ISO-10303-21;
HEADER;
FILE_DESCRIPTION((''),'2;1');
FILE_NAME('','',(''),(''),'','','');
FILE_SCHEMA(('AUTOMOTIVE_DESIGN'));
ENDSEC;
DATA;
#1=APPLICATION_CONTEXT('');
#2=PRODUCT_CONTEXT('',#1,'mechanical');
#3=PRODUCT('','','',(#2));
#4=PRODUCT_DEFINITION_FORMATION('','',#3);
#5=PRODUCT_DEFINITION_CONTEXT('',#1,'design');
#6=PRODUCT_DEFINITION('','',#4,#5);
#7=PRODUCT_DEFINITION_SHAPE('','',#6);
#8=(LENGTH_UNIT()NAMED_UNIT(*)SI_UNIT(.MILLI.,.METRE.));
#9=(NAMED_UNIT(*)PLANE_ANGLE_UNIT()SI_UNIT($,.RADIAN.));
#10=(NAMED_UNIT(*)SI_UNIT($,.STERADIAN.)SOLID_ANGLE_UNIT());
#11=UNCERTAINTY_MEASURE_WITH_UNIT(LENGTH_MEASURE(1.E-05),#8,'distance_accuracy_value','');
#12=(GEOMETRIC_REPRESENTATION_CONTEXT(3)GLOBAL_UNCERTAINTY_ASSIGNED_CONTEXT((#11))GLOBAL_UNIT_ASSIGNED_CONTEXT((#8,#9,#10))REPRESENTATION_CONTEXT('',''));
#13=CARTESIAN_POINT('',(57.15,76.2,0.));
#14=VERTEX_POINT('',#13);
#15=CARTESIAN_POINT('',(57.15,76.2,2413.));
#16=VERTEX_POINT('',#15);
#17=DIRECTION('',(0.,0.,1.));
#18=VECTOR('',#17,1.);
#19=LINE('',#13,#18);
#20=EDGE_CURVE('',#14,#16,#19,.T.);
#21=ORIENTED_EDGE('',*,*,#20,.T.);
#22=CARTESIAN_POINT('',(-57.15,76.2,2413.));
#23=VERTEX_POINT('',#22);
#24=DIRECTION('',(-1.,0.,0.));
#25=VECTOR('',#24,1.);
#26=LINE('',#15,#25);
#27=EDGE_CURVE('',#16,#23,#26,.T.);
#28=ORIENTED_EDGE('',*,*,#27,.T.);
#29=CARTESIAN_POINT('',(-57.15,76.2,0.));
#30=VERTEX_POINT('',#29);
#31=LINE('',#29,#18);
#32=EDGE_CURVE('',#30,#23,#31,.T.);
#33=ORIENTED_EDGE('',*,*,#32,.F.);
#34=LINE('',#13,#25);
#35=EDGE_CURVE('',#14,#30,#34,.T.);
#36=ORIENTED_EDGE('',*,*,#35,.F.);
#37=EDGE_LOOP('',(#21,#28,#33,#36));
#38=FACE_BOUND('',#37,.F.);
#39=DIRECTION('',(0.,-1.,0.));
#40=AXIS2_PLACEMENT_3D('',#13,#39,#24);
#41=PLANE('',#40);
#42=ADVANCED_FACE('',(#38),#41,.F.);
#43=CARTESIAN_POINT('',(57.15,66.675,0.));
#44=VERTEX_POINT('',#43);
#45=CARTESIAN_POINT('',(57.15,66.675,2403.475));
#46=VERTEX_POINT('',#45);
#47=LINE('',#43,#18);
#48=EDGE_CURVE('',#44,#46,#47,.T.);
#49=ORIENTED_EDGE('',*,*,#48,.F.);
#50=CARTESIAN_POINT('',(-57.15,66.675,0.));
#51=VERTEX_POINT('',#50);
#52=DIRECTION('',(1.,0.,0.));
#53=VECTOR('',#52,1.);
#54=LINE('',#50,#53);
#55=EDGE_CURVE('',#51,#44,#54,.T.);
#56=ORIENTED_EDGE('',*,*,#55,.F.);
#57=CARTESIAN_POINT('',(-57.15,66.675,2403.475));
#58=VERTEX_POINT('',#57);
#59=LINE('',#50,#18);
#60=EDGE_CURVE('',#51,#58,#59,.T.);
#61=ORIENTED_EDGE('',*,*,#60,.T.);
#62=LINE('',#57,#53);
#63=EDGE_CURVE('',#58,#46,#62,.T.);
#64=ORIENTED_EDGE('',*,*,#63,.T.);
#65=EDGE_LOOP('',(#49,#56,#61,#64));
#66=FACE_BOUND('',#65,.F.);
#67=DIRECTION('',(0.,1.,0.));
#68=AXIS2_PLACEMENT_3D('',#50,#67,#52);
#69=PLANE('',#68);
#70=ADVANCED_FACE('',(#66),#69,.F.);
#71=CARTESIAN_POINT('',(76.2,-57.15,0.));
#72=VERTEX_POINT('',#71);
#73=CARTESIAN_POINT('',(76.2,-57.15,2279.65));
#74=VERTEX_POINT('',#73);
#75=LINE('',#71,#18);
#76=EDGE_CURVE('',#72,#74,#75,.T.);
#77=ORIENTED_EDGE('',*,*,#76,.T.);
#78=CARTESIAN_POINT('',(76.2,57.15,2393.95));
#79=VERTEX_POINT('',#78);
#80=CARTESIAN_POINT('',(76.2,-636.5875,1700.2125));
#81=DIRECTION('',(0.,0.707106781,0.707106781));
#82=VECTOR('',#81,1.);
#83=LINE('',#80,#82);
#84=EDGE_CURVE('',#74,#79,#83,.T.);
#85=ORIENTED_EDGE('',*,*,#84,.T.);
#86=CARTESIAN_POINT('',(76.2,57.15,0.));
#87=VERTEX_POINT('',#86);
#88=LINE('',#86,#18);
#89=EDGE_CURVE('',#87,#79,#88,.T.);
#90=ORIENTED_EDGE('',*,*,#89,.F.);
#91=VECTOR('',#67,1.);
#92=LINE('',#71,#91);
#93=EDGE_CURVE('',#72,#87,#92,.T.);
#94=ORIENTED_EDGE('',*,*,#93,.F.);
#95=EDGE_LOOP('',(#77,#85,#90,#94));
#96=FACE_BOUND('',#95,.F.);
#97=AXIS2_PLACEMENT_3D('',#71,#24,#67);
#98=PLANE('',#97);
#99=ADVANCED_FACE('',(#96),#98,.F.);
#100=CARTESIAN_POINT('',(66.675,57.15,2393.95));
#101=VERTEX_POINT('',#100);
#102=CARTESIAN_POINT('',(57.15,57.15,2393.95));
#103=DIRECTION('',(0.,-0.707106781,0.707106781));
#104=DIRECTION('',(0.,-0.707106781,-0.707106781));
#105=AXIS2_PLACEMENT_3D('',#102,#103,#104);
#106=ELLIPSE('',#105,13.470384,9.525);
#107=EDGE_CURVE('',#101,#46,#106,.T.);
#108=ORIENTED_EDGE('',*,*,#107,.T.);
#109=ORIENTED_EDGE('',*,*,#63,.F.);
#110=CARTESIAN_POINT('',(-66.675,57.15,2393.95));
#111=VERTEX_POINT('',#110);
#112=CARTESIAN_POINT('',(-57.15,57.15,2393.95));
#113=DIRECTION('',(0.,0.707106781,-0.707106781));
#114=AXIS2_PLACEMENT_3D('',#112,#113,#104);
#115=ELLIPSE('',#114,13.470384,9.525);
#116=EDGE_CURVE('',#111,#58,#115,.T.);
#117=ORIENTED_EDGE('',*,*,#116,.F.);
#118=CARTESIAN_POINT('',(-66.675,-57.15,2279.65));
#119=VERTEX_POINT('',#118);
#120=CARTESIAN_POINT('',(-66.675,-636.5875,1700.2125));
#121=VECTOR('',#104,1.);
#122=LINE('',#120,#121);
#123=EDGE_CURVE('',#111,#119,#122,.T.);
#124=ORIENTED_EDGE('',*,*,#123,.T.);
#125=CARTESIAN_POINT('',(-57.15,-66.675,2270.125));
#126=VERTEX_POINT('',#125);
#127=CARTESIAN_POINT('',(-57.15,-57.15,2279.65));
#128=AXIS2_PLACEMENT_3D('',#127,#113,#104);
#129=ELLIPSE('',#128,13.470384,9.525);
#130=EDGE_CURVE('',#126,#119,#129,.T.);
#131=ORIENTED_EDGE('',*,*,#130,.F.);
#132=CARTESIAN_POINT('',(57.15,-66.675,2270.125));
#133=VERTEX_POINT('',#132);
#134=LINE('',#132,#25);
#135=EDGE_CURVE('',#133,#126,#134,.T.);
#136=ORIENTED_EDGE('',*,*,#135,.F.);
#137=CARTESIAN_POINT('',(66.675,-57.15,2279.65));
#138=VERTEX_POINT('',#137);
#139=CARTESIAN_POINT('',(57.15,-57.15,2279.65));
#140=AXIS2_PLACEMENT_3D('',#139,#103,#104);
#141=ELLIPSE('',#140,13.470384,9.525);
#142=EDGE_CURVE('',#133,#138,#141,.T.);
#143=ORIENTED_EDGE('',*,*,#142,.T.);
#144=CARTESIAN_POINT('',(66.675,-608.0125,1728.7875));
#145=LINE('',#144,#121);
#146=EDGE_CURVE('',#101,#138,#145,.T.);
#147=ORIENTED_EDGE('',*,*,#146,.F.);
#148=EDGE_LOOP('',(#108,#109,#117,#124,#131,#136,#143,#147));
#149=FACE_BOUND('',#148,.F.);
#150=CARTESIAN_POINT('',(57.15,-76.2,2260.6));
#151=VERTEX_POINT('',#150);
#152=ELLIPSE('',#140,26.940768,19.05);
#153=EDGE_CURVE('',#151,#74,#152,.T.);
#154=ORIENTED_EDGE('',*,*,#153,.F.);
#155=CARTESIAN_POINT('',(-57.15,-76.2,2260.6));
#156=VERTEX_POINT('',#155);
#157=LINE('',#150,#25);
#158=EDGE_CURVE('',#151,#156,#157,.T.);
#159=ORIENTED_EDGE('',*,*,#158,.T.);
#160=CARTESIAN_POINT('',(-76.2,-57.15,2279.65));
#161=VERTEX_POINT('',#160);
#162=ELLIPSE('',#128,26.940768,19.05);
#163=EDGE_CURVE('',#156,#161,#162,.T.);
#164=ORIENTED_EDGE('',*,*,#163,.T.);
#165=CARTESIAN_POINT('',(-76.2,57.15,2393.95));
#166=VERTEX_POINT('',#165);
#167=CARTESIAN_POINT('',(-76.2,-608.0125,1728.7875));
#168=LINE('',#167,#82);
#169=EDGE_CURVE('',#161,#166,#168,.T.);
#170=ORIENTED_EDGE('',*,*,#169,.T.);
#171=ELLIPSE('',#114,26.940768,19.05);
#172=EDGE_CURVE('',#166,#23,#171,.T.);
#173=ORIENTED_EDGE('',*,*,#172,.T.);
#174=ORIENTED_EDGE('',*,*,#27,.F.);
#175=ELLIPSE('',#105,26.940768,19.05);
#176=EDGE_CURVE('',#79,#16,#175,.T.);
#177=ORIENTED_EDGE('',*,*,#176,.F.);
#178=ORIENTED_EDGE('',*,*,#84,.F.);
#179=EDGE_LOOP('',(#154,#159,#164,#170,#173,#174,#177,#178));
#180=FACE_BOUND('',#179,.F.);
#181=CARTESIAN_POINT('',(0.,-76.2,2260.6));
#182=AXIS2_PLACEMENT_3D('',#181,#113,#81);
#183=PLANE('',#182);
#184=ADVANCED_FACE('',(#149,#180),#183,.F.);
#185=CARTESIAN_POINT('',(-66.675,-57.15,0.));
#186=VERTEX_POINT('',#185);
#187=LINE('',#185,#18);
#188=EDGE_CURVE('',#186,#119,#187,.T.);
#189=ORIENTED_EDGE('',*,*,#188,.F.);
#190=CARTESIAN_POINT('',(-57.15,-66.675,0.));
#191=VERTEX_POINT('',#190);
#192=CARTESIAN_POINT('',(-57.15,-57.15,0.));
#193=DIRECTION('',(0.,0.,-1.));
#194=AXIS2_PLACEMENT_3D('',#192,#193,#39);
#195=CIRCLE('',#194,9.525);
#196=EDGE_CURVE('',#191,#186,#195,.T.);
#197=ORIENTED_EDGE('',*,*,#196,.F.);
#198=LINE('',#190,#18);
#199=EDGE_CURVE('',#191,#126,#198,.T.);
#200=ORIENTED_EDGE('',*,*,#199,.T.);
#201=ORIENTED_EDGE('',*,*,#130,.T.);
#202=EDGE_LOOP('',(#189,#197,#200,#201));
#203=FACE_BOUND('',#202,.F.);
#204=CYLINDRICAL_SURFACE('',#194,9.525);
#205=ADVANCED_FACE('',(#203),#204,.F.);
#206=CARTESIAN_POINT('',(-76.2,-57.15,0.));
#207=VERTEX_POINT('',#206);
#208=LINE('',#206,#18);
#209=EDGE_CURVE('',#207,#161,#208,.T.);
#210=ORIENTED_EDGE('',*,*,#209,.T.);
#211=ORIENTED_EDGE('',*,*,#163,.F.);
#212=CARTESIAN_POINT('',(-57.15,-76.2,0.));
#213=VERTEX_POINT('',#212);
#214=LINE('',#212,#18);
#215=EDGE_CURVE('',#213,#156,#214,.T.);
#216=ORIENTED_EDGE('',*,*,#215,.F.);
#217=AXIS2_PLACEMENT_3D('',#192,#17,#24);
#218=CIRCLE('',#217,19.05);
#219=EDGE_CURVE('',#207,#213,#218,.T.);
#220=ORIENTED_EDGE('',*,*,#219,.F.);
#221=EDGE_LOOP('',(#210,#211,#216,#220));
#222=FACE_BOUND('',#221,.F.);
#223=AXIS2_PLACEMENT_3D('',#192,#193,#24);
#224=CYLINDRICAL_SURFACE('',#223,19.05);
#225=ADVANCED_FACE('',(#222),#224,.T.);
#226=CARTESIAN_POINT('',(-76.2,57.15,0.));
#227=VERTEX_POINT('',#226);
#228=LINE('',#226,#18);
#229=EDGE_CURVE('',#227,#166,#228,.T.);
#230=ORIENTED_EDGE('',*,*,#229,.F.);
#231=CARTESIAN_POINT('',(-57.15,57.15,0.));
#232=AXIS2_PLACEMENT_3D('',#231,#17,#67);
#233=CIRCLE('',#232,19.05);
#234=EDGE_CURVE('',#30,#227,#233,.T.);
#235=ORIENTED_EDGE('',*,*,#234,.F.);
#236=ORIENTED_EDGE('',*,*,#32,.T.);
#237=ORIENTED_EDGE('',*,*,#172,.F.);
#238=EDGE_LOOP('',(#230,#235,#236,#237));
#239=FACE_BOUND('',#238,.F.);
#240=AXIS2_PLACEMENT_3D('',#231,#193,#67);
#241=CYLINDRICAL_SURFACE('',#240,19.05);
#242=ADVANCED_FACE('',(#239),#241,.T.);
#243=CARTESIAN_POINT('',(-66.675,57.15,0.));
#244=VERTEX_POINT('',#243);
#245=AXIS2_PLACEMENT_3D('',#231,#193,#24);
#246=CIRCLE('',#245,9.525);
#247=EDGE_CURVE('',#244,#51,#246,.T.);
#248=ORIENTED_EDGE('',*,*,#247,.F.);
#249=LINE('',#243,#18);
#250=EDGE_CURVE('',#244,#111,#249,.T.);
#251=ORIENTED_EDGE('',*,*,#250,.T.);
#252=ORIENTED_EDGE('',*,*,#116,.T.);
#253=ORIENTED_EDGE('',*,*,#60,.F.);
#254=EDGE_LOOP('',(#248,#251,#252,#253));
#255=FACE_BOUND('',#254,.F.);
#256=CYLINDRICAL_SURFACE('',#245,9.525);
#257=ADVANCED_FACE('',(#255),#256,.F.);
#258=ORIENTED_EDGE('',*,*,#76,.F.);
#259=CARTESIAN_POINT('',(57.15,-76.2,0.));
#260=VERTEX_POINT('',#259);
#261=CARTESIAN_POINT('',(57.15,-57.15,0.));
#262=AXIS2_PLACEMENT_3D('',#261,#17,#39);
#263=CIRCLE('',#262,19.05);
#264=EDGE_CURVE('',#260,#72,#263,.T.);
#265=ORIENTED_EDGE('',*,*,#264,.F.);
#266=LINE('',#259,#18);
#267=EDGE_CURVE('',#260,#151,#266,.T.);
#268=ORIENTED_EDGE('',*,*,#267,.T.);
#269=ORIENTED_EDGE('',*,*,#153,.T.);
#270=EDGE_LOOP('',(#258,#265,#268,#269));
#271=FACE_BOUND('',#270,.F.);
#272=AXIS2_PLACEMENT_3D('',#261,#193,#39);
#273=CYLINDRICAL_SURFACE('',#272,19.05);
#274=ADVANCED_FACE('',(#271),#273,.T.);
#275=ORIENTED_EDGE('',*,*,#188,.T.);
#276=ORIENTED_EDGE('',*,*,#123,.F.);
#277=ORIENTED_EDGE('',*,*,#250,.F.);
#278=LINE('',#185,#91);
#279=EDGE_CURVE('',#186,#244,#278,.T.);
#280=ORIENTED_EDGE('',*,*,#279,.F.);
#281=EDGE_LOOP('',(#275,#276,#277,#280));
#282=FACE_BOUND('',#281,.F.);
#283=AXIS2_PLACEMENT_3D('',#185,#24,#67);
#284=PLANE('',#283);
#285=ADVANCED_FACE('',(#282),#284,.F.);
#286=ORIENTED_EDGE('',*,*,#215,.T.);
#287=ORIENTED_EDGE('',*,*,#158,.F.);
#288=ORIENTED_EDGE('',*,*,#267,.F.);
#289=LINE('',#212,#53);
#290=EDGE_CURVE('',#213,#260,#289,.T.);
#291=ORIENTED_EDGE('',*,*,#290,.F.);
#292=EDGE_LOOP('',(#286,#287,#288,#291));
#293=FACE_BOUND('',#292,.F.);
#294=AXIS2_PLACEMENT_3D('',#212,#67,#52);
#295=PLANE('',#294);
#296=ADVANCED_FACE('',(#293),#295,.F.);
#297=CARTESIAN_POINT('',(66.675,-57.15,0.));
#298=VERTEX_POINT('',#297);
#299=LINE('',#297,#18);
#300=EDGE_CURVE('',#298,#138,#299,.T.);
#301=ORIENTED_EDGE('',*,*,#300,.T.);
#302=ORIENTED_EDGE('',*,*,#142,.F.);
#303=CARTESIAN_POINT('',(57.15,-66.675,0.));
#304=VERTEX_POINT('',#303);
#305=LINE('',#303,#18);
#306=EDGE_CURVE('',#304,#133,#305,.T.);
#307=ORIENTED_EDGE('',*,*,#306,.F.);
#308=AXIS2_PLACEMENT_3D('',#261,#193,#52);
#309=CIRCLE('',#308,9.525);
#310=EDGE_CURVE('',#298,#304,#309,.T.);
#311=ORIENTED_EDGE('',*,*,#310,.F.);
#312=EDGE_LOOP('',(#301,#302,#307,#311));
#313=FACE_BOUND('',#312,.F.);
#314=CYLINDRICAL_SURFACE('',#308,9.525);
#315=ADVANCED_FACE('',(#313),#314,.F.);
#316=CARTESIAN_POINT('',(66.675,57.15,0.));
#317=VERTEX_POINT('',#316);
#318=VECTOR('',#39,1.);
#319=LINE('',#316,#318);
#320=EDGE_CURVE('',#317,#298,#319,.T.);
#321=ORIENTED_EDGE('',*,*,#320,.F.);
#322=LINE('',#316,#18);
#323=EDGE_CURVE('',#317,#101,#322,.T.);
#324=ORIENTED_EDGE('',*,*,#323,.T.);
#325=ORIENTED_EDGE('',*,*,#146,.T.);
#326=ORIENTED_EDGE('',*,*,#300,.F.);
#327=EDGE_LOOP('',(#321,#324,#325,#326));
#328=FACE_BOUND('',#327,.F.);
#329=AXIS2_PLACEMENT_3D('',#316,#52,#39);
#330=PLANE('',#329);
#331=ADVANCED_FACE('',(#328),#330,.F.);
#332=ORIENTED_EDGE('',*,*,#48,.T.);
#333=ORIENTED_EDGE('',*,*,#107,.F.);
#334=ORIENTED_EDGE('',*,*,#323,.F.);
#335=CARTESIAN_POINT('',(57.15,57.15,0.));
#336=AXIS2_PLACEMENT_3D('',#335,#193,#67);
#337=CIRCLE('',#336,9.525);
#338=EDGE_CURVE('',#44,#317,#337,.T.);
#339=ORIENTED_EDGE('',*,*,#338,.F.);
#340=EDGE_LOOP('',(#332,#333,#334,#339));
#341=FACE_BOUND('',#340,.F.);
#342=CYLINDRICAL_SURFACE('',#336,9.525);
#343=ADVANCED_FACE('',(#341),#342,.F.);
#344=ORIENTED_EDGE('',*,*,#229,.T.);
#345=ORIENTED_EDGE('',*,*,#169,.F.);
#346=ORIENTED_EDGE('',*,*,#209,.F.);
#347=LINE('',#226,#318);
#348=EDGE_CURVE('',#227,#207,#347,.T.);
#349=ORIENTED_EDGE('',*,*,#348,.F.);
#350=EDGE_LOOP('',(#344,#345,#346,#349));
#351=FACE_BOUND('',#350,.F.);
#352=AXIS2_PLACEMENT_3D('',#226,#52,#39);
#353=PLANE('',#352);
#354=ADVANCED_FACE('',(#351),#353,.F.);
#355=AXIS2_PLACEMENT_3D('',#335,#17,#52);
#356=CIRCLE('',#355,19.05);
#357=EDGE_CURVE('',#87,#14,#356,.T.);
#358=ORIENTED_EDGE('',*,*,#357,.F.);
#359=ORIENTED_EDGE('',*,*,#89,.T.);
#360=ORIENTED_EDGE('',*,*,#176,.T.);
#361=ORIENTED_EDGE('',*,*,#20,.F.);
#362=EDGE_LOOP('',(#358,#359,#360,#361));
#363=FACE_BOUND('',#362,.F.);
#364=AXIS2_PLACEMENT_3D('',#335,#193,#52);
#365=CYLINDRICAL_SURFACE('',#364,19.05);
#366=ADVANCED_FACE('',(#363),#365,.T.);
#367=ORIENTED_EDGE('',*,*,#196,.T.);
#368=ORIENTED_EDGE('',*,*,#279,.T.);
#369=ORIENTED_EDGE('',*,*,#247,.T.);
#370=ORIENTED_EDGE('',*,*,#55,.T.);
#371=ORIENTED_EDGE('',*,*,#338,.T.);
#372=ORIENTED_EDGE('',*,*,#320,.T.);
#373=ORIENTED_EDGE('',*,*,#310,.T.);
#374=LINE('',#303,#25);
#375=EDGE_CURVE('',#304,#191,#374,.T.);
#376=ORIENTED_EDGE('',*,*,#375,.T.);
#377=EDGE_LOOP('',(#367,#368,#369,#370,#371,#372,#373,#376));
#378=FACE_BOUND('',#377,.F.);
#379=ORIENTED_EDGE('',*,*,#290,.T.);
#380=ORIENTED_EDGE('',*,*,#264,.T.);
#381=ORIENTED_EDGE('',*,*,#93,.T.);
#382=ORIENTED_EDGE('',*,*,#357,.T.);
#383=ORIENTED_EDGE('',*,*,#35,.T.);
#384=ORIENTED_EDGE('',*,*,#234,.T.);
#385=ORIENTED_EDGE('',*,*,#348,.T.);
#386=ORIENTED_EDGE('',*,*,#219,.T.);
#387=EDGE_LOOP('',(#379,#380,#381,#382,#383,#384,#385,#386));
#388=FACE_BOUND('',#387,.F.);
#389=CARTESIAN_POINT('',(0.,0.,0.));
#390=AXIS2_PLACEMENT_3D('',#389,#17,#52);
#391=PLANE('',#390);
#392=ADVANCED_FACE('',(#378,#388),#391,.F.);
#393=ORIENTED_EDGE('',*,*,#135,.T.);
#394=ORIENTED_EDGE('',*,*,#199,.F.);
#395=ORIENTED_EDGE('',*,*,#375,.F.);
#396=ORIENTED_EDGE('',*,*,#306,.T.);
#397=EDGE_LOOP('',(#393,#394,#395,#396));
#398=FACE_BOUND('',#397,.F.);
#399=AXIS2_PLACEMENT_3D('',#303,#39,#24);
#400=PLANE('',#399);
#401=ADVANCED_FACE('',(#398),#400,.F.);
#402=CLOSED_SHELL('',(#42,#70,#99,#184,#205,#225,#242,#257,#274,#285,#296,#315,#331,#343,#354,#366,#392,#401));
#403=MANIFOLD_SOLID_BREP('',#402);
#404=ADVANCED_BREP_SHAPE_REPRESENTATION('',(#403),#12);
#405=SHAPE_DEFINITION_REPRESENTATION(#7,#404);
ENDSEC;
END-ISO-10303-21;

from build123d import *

# Parameters (mm, degrees)
F1_DEPTH      = 2413
F3_DEPTH      = 76.201
F3_DEPTH_BACK = 76.201


with BuildPart() as f1:
    # F0 (on Top) → F1 (new body)
    with BuildSketch(Plane.XY):
        with BuildLine():
            ThreePointArc((-76.2, -57.15), (-70.6203841816, -70.6203841816), (-57.15, -76.2))
            Line((-57.15, -76.2), (57.15, -76.2))
            ThreePointArc((57.15, -76.2), (70.6203841816, -70.6203841816), (76.2, -57.15))
            Line((76.2, -57.15), (76.2, 57.15))
            ThreePointArc((76.2, 57.15), (70.6203841816, 70.6203841816), (57.15, 76.2))
            Line((57.15, 76.2), (-57.15, 76.2))
            ThreePointArc((-57.15, 76.2), (-70.6203841816, 70.6203841816), (-76.2, 57.15))
            Line((-76.2, 57.15), (-76.2, -57.15))
        make_face()
        with BuildLine():
            Line((57.15, -66.675), (-57.15, -66.675))
            ThreePointArc((-57.15, -66.675), (-63.8851920908, -63.8851920908), (-66.675, -57.15))
            Line((-66.675, -57.15), (-66.675, 57.15))
            ThreePointArc((-66.675, 57.15), (-63.8851920908, 63.8851920908), (-57.15, 66.675))
            Line((-57.15, 66.675), (57.15, 66.675))
            ThreePointArc((57.15, 66.675), (63.8851920908, 63.8851920908), (66.675, 57.15))
            Line((66.675, 57.15), (66.675, -57.15))
            ThreePointArc((66.675, -57.15), (63.8851920908, -63.8851920908), (57.15, -66.675))
        make_face(mode=Mode.SUBTRACT)
    extrude(amount=F1_DEPTH)

    # F2 (on Right) → F3 (cut, two sides)
    with BuildSketch(Plane.YZ) as f3_sk:
        Polygon((76.2, 2413), (-76.2, 2413), (-76.2, 2260.6), align=None)
    extrude(amount=-F3_DEPTH, mode=Mode.SUBTRACT)
    extrude(f3_sk.sketch, amount=F3_DEPTH_BACK, mode=Mode.SUBTRACT)


solid = f1.part
